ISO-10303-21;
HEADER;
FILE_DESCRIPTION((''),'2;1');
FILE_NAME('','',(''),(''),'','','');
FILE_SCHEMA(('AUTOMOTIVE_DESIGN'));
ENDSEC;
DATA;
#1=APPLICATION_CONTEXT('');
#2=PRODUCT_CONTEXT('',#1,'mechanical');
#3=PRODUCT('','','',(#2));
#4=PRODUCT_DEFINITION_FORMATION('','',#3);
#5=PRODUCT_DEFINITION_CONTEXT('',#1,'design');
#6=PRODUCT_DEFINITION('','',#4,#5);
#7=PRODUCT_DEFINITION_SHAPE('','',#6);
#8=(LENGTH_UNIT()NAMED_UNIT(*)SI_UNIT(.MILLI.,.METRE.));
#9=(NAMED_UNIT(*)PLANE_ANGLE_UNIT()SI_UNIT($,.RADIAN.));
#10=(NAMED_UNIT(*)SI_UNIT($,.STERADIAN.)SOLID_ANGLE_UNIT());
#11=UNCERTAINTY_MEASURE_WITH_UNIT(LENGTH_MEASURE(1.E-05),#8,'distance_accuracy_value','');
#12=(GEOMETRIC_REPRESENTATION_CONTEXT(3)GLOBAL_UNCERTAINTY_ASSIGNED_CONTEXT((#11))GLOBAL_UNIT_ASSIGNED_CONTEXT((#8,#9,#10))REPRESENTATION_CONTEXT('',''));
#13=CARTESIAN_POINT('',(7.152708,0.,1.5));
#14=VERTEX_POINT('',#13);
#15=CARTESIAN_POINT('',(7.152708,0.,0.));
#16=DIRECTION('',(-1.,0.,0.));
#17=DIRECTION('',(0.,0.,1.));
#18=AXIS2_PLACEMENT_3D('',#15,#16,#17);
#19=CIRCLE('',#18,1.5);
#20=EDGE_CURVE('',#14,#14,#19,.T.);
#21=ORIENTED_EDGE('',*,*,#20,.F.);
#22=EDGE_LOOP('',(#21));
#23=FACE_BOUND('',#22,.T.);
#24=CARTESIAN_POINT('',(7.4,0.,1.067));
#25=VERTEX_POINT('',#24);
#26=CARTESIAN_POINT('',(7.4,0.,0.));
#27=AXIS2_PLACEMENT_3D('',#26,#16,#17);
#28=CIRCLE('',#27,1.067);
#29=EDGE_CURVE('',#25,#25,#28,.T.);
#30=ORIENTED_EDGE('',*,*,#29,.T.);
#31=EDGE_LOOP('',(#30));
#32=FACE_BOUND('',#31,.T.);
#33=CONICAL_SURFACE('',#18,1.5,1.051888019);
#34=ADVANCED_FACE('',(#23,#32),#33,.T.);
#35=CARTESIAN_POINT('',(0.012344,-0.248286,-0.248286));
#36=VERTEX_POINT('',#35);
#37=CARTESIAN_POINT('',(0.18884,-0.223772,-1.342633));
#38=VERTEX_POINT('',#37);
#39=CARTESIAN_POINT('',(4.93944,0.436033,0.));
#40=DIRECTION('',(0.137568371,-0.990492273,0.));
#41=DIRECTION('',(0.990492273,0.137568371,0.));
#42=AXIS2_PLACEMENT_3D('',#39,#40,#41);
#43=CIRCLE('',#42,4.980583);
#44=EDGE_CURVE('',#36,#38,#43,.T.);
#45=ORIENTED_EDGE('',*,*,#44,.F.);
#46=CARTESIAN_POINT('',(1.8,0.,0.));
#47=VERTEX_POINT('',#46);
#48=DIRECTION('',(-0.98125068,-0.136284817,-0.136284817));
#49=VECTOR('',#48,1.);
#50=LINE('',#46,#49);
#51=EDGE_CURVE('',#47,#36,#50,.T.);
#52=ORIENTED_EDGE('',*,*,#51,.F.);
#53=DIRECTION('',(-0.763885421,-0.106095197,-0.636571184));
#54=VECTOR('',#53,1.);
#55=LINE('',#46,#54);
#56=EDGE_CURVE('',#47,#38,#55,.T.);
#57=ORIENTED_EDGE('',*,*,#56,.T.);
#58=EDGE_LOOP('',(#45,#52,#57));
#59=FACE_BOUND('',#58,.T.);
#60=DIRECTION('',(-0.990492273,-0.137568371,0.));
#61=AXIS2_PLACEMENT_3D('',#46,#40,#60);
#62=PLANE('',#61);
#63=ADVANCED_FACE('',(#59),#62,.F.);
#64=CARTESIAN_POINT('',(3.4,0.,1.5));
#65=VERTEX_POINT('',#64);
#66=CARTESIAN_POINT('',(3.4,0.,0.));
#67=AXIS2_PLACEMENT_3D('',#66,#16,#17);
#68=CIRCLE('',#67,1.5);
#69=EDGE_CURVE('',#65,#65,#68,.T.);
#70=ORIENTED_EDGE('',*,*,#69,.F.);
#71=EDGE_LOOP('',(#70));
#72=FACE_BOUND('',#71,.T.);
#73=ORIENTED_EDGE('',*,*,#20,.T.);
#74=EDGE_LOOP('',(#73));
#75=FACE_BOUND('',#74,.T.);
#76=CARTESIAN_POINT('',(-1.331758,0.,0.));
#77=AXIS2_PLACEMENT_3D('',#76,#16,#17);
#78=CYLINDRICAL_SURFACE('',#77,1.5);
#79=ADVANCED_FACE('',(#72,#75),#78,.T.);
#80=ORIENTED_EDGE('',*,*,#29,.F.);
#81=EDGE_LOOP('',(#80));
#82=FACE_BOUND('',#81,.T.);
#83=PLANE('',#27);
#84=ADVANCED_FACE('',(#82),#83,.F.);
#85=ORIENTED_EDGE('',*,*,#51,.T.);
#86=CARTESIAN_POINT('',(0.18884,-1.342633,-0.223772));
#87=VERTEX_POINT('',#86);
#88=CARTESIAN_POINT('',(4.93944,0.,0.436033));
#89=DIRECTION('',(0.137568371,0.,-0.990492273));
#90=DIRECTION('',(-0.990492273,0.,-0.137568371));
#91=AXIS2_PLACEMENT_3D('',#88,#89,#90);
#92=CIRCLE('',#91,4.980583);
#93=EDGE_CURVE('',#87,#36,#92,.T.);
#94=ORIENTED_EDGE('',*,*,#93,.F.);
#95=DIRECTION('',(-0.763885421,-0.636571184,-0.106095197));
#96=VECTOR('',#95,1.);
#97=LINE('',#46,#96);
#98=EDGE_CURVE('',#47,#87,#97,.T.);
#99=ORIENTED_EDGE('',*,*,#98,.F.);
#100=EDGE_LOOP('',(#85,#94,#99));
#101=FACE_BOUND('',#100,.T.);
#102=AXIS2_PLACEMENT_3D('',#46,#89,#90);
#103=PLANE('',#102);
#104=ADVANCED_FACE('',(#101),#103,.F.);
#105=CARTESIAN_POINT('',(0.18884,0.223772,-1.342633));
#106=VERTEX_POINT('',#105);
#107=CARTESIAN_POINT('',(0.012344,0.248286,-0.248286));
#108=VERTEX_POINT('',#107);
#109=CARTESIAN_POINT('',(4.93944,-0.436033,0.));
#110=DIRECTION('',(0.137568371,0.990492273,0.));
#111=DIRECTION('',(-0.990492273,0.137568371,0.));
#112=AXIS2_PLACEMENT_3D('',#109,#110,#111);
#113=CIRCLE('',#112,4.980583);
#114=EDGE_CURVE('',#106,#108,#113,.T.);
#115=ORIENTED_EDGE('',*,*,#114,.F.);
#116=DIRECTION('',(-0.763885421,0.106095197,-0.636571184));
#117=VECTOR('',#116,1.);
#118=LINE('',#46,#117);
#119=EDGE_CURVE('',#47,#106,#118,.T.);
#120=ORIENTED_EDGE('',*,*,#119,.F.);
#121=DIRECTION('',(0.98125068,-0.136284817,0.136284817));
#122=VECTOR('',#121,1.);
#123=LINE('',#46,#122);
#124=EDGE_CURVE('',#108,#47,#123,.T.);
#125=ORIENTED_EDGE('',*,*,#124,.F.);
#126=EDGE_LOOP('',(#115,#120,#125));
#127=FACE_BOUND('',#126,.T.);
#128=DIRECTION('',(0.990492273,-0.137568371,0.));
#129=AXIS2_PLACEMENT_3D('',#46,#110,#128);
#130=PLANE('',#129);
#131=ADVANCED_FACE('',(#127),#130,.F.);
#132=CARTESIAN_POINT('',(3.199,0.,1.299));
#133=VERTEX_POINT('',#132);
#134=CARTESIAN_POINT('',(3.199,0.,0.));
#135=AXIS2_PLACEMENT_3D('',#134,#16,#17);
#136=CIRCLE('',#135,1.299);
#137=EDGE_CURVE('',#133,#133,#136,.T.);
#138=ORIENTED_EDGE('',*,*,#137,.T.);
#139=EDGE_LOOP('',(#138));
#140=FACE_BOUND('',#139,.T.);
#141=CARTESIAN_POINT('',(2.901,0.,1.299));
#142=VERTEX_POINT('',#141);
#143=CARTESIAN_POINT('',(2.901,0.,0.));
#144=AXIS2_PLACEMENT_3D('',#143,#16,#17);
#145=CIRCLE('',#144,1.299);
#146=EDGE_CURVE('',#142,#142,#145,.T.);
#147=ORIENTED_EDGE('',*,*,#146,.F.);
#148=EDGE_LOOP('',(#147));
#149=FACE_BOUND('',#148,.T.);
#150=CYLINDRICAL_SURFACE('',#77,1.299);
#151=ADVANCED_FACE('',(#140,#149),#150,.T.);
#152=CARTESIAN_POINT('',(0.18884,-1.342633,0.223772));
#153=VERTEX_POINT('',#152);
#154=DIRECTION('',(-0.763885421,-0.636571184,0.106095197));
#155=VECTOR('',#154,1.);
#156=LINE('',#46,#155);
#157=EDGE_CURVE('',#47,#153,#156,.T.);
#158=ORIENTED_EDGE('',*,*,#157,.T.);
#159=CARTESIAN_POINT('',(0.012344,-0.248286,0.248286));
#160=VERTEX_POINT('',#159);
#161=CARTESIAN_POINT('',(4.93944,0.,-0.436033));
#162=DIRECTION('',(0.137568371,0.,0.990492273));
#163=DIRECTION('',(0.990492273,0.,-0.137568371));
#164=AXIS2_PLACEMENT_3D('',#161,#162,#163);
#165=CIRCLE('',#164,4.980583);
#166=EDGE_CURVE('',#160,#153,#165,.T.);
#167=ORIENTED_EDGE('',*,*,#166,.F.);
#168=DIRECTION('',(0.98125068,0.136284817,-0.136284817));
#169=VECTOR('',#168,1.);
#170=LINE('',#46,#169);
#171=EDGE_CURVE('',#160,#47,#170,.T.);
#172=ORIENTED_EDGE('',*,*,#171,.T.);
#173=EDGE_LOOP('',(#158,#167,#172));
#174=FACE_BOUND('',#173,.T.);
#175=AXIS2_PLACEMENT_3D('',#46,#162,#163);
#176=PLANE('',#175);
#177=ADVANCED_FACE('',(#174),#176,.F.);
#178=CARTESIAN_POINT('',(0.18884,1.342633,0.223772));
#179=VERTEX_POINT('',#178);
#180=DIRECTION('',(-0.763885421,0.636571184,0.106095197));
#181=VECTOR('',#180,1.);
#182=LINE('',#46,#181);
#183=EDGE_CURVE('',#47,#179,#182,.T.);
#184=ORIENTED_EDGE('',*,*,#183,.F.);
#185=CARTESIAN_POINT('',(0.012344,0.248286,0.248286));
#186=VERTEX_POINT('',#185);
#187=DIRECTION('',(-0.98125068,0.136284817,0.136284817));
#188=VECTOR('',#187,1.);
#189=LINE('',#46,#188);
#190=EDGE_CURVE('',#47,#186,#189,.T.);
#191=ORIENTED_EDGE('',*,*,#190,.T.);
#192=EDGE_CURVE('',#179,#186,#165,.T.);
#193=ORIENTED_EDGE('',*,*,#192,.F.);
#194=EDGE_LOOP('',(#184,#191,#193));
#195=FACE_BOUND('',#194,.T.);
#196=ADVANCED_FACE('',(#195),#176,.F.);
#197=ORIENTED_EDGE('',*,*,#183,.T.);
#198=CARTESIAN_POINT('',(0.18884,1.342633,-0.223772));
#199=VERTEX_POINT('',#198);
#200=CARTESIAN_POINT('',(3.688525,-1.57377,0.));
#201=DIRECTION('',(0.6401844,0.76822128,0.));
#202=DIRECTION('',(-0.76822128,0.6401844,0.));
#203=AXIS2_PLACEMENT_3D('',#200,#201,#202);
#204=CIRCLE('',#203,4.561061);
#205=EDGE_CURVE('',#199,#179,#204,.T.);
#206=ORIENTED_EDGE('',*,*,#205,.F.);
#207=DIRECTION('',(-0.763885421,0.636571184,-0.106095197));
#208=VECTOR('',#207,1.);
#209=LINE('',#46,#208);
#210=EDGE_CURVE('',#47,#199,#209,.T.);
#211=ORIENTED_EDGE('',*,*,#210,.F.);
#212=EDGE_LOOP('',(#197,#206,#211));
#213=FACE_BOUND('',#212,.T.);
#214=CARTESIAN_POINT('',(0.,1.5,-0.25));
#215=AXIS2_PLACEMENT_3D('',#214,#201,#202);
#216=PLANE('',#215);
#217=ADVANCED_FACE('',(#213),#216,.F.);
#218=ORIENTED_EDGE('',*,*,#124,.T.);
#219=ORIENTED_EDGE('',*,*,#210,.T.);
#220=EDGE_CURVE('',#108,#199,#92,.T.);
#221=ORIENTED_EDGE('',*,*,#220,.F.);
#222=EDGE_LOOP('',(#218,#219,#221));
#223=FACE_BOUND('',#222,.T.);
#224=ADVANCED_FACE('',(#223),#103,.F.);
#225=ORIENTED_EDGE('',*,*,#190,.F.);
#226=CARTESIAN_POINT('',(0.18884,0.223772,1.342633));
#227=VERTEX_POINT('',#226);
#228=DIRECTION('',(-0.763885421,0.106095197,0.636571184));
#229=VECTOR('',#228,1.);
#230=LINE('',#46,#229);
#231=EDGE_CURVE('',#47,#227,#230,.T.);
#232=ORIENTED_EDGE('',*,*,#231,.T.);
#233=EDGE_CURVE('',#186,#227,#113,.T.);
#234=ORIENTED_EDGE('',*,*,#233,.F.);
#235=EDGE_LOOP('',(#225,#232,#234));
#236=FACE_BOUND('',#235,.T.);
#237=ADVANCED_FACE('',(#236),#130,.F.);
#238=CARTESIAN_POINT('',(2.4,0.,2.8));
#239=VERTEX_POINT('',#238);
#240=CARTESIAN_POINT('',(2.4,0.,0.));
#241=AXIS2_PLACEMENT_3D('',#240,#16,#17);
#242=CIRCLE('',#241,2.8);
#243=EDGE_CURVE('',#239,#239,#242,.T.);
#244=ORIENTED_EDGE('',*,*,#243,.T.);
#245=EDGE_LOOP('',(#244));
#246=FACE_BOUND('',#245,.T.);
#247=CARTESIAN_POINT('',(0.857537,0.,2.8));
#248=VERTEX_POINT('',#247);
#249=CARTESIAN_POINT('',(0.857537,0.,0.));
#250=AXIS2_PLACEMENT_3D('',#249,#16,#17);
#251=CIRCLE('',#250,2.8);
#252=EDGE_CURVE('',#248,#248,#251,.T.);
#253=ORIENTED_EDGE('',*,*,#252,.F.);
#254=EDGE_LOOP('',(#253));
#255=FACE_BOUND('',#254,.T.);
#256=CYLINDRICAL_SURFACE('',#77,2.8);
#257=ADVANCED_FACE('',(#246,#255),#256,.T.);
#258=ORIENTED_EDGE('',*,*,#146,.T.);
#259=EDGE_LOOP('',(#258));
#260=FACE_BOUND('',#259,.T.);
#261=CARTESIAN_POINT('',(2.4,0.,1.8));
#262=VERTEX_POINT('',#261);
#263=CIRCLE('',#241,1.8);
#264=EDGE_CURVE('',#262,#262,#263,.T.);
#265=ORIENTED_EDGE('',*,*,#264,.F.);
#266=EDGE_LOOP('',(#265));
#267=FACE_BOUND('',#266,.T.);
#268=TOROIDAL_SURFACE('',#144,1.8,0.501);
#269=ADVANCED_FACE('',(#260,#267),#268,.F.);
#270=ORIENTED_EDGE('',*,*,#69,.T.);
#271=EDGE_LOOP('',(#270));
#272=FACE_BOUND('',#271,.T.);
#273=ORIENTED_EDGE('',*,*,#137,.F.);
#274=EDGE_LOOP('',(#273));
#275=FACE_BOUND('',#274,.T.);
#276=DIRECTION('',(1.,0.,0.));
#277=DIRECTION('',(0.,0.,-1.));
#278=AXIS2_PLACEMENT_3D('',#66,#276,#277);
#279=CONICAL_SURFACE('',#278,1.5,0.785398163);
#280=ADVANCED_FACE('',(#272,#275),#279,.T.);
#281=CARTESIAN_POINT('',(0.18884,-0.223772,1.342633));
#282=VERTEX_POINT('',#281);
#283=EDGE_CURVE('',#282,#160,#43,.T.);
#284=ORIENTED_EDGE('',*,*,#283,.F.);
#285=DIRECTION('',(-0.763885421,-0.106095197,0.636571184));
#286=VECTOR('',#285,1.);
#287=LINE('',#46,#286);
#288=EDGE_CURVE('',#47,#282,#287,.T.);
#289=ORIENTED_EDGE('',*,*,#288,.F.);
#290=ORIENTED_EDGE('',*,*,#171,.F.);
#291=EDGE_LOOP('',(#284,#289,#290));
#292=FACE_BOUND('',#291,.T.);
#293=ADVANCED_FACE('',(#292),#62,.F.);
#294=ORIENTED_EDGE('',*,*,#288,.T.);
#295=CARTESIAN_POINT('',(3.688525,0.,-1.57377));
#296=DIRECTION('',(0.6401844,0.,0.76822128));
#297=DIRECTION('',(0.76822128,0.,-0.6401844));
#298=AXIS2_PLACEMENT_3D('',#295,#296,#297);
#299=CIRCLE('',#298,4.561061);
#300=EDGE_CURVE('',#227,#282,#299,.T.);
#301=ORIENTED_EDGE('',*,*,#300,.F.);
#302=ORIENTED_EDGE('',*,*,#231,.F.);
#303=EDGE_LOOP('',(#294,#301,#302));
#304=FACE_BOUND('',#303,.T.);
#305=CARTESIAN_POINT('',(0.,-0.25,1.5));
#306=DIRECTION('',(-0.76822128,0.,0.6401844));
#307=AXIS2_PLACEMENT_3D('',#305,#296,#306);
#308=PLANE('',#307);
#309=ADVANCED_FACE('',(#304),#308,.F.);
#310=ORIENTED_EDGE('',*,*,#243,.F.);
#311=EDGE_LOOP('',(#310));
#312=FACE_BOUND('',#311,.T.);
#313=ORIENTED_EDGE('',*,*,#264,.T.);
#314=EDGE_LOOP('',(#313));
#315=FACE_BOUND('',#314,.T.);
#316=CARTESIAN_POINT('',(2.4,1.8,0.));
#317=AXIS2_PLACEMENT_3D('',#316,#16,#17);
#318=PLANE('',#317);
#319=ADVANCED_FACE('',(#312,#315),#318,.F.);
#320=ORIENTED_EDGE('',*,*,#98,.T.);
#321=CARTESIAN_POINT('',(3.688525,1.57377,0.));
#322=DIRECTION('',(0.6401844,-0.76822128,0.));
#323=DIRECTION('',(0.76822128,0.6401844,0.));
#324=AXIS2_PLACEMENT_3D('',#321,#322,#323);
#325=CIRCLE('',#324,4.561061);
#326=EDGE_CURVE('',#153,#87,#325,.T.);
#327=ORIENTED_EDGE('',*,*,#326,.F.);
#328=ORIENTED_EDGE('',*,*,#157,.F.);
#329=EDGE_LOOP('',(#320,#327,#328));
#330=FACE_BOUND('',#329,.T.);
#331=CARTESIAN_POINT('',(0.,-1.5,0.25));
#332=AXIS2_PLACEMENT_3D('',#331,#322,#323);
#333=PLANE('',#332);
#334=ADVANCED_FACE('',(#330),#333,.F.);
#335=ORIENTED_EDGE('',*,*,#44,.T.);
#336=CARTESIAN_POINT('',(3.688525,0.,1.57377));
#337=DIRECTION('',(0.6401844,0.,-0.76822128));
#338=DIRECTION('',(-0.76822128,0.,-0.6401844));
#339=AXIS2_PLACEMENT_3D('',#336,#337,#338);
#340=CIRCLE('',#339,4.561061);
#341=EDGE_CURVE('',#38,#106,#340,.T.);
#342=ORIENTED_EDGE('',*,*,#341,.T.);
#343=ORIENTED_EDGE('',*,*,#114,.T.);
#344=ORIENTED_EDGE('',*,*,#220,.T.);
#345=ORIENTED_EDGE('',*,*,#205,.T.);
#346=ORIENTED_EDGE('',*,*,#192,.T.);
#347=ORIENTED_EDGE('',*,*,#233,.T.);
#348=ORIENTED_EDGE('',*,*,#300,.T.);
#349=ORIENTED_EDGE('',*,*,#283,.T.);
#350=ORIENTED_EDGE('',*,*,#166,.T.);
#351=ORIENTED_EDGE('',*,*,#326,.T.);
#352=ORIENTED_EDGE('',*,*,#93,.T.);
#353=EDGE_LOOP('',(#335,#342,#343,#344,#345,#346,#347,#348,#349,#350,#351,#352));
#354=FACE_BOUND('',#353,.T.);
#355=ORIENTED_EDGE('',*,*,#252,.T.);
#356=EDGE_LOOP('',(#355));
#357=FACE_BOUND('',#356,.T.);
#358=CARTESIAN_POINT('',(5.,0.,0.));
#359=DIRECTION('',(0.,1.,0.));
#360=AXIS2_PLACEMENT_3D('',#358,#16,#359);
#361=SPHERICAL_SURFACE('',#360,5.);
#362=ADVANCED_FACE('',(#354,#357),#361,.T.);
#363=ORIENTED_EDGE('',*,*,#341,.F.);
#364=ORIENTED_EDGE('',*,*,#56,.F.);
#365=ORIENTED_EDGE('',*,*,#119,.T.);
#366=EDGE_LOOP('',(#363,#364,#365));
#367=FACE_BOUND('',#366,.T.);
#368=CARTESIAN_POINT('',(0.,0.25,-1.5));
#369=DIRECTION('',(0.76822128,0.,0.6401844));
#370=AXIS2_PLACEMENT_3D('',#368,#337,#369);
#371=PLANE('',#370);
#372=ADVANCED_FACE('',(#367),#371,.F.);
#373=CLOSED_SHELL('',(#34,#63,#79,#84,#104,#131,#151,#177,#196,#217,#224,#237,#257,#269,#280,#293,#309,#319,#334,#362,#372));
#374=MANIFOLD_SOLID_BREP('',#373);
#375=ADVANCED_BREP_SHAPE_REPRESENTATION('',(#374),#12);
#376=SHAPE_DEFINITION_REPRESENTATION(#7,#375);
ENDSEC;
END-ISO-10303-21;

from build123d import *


with BuildPart() as part:
    # 草图2 → Revolve 709 (revolve)
    with BuildSketch(Plane.XY, mode=Mode.PRIVATE) as revolve_709_sk:
        with BuildLine():
            Line((0, 0), (7.4, 0))
            Line((7.4, 0), (7.4, 1.5))
            Line((7.4, 1.5), (3.4, 1.5))
            Line((3.4, 1.5), (3.199, 1.299))
            Line((3.199, 1.299), (2.901, 1.299))
            ThreePointArc((2.901, 1.299), (2.546739503, 1.445739503), (2.4, 1.8))
            Line((2.4, 1.8), (2.4, 2.8))
            Line((2.4, 2.8), (0.857536965, 2.8))
            ThreePointArc((0.857536965, 2.8), (0.219188606, 1.464186604), (0, 0))
        make_face()
    revolve(revolve_709_sk.sketch.rotate(Axis((-1.331757704, 0, 0), (1, 0, 0)), 90), axis=Axis((-1.331757704, 0, 0), (1, 0, 0)))

    # 草图3 → 切除-旋转1 (revolve, cut)
    with BuildSketch(Plane.XY, mode=Mode.PRIVATE) as cut_revolve_1_sk:
        Polygon((7.152708003, 1.5), (7.652708003, 1.5), (7.4, 1.067), align=None)
    revolve(cut_revolve_1_sk.sketch.rotate(Axis((-0.242766179, 0, 0), (1, 0, 0)), 90), axis=Axis((-0.242766179, 0, 0), (1, 0, 0)), mode=Mode.SUBTRACT)

    # 草图5 → 切除-放样1 section 0
    with BuildSketch(Plane(origin=(0, 0, 0), x_dir=(0, 0, -1), z_dir=(1, 0, 0)), mode=Mode.PRIVATE) as loft_1_s0:
        with BuildLine():
            Line((0.25, 1.5), (-0.25, 1.5))
            Line((-0.25, 1.5), (-0.25, -1.5))
            Line((-0.25, -1.5), (0.25, -1.5))
            Line((0.25, -1.5), (0.25, 1.5))
        make_face()
    loft_1 = loft([Vertex(1.8, 0, 0), loft_1_s0.sketch], mode=Mode.SUBTRACT)

    # 镜向1: 切除-放样1 across plane
    add(loft_1.mirror(Plane(origin=(0, 0, 0), x_dir=(0, 0.7071067811865462, 0.7071067811865488), z_dir=(0, -0.7071067811865488, 0.7071067811865462))), mode=Mode.SUBTRACT)


solid = part.part
